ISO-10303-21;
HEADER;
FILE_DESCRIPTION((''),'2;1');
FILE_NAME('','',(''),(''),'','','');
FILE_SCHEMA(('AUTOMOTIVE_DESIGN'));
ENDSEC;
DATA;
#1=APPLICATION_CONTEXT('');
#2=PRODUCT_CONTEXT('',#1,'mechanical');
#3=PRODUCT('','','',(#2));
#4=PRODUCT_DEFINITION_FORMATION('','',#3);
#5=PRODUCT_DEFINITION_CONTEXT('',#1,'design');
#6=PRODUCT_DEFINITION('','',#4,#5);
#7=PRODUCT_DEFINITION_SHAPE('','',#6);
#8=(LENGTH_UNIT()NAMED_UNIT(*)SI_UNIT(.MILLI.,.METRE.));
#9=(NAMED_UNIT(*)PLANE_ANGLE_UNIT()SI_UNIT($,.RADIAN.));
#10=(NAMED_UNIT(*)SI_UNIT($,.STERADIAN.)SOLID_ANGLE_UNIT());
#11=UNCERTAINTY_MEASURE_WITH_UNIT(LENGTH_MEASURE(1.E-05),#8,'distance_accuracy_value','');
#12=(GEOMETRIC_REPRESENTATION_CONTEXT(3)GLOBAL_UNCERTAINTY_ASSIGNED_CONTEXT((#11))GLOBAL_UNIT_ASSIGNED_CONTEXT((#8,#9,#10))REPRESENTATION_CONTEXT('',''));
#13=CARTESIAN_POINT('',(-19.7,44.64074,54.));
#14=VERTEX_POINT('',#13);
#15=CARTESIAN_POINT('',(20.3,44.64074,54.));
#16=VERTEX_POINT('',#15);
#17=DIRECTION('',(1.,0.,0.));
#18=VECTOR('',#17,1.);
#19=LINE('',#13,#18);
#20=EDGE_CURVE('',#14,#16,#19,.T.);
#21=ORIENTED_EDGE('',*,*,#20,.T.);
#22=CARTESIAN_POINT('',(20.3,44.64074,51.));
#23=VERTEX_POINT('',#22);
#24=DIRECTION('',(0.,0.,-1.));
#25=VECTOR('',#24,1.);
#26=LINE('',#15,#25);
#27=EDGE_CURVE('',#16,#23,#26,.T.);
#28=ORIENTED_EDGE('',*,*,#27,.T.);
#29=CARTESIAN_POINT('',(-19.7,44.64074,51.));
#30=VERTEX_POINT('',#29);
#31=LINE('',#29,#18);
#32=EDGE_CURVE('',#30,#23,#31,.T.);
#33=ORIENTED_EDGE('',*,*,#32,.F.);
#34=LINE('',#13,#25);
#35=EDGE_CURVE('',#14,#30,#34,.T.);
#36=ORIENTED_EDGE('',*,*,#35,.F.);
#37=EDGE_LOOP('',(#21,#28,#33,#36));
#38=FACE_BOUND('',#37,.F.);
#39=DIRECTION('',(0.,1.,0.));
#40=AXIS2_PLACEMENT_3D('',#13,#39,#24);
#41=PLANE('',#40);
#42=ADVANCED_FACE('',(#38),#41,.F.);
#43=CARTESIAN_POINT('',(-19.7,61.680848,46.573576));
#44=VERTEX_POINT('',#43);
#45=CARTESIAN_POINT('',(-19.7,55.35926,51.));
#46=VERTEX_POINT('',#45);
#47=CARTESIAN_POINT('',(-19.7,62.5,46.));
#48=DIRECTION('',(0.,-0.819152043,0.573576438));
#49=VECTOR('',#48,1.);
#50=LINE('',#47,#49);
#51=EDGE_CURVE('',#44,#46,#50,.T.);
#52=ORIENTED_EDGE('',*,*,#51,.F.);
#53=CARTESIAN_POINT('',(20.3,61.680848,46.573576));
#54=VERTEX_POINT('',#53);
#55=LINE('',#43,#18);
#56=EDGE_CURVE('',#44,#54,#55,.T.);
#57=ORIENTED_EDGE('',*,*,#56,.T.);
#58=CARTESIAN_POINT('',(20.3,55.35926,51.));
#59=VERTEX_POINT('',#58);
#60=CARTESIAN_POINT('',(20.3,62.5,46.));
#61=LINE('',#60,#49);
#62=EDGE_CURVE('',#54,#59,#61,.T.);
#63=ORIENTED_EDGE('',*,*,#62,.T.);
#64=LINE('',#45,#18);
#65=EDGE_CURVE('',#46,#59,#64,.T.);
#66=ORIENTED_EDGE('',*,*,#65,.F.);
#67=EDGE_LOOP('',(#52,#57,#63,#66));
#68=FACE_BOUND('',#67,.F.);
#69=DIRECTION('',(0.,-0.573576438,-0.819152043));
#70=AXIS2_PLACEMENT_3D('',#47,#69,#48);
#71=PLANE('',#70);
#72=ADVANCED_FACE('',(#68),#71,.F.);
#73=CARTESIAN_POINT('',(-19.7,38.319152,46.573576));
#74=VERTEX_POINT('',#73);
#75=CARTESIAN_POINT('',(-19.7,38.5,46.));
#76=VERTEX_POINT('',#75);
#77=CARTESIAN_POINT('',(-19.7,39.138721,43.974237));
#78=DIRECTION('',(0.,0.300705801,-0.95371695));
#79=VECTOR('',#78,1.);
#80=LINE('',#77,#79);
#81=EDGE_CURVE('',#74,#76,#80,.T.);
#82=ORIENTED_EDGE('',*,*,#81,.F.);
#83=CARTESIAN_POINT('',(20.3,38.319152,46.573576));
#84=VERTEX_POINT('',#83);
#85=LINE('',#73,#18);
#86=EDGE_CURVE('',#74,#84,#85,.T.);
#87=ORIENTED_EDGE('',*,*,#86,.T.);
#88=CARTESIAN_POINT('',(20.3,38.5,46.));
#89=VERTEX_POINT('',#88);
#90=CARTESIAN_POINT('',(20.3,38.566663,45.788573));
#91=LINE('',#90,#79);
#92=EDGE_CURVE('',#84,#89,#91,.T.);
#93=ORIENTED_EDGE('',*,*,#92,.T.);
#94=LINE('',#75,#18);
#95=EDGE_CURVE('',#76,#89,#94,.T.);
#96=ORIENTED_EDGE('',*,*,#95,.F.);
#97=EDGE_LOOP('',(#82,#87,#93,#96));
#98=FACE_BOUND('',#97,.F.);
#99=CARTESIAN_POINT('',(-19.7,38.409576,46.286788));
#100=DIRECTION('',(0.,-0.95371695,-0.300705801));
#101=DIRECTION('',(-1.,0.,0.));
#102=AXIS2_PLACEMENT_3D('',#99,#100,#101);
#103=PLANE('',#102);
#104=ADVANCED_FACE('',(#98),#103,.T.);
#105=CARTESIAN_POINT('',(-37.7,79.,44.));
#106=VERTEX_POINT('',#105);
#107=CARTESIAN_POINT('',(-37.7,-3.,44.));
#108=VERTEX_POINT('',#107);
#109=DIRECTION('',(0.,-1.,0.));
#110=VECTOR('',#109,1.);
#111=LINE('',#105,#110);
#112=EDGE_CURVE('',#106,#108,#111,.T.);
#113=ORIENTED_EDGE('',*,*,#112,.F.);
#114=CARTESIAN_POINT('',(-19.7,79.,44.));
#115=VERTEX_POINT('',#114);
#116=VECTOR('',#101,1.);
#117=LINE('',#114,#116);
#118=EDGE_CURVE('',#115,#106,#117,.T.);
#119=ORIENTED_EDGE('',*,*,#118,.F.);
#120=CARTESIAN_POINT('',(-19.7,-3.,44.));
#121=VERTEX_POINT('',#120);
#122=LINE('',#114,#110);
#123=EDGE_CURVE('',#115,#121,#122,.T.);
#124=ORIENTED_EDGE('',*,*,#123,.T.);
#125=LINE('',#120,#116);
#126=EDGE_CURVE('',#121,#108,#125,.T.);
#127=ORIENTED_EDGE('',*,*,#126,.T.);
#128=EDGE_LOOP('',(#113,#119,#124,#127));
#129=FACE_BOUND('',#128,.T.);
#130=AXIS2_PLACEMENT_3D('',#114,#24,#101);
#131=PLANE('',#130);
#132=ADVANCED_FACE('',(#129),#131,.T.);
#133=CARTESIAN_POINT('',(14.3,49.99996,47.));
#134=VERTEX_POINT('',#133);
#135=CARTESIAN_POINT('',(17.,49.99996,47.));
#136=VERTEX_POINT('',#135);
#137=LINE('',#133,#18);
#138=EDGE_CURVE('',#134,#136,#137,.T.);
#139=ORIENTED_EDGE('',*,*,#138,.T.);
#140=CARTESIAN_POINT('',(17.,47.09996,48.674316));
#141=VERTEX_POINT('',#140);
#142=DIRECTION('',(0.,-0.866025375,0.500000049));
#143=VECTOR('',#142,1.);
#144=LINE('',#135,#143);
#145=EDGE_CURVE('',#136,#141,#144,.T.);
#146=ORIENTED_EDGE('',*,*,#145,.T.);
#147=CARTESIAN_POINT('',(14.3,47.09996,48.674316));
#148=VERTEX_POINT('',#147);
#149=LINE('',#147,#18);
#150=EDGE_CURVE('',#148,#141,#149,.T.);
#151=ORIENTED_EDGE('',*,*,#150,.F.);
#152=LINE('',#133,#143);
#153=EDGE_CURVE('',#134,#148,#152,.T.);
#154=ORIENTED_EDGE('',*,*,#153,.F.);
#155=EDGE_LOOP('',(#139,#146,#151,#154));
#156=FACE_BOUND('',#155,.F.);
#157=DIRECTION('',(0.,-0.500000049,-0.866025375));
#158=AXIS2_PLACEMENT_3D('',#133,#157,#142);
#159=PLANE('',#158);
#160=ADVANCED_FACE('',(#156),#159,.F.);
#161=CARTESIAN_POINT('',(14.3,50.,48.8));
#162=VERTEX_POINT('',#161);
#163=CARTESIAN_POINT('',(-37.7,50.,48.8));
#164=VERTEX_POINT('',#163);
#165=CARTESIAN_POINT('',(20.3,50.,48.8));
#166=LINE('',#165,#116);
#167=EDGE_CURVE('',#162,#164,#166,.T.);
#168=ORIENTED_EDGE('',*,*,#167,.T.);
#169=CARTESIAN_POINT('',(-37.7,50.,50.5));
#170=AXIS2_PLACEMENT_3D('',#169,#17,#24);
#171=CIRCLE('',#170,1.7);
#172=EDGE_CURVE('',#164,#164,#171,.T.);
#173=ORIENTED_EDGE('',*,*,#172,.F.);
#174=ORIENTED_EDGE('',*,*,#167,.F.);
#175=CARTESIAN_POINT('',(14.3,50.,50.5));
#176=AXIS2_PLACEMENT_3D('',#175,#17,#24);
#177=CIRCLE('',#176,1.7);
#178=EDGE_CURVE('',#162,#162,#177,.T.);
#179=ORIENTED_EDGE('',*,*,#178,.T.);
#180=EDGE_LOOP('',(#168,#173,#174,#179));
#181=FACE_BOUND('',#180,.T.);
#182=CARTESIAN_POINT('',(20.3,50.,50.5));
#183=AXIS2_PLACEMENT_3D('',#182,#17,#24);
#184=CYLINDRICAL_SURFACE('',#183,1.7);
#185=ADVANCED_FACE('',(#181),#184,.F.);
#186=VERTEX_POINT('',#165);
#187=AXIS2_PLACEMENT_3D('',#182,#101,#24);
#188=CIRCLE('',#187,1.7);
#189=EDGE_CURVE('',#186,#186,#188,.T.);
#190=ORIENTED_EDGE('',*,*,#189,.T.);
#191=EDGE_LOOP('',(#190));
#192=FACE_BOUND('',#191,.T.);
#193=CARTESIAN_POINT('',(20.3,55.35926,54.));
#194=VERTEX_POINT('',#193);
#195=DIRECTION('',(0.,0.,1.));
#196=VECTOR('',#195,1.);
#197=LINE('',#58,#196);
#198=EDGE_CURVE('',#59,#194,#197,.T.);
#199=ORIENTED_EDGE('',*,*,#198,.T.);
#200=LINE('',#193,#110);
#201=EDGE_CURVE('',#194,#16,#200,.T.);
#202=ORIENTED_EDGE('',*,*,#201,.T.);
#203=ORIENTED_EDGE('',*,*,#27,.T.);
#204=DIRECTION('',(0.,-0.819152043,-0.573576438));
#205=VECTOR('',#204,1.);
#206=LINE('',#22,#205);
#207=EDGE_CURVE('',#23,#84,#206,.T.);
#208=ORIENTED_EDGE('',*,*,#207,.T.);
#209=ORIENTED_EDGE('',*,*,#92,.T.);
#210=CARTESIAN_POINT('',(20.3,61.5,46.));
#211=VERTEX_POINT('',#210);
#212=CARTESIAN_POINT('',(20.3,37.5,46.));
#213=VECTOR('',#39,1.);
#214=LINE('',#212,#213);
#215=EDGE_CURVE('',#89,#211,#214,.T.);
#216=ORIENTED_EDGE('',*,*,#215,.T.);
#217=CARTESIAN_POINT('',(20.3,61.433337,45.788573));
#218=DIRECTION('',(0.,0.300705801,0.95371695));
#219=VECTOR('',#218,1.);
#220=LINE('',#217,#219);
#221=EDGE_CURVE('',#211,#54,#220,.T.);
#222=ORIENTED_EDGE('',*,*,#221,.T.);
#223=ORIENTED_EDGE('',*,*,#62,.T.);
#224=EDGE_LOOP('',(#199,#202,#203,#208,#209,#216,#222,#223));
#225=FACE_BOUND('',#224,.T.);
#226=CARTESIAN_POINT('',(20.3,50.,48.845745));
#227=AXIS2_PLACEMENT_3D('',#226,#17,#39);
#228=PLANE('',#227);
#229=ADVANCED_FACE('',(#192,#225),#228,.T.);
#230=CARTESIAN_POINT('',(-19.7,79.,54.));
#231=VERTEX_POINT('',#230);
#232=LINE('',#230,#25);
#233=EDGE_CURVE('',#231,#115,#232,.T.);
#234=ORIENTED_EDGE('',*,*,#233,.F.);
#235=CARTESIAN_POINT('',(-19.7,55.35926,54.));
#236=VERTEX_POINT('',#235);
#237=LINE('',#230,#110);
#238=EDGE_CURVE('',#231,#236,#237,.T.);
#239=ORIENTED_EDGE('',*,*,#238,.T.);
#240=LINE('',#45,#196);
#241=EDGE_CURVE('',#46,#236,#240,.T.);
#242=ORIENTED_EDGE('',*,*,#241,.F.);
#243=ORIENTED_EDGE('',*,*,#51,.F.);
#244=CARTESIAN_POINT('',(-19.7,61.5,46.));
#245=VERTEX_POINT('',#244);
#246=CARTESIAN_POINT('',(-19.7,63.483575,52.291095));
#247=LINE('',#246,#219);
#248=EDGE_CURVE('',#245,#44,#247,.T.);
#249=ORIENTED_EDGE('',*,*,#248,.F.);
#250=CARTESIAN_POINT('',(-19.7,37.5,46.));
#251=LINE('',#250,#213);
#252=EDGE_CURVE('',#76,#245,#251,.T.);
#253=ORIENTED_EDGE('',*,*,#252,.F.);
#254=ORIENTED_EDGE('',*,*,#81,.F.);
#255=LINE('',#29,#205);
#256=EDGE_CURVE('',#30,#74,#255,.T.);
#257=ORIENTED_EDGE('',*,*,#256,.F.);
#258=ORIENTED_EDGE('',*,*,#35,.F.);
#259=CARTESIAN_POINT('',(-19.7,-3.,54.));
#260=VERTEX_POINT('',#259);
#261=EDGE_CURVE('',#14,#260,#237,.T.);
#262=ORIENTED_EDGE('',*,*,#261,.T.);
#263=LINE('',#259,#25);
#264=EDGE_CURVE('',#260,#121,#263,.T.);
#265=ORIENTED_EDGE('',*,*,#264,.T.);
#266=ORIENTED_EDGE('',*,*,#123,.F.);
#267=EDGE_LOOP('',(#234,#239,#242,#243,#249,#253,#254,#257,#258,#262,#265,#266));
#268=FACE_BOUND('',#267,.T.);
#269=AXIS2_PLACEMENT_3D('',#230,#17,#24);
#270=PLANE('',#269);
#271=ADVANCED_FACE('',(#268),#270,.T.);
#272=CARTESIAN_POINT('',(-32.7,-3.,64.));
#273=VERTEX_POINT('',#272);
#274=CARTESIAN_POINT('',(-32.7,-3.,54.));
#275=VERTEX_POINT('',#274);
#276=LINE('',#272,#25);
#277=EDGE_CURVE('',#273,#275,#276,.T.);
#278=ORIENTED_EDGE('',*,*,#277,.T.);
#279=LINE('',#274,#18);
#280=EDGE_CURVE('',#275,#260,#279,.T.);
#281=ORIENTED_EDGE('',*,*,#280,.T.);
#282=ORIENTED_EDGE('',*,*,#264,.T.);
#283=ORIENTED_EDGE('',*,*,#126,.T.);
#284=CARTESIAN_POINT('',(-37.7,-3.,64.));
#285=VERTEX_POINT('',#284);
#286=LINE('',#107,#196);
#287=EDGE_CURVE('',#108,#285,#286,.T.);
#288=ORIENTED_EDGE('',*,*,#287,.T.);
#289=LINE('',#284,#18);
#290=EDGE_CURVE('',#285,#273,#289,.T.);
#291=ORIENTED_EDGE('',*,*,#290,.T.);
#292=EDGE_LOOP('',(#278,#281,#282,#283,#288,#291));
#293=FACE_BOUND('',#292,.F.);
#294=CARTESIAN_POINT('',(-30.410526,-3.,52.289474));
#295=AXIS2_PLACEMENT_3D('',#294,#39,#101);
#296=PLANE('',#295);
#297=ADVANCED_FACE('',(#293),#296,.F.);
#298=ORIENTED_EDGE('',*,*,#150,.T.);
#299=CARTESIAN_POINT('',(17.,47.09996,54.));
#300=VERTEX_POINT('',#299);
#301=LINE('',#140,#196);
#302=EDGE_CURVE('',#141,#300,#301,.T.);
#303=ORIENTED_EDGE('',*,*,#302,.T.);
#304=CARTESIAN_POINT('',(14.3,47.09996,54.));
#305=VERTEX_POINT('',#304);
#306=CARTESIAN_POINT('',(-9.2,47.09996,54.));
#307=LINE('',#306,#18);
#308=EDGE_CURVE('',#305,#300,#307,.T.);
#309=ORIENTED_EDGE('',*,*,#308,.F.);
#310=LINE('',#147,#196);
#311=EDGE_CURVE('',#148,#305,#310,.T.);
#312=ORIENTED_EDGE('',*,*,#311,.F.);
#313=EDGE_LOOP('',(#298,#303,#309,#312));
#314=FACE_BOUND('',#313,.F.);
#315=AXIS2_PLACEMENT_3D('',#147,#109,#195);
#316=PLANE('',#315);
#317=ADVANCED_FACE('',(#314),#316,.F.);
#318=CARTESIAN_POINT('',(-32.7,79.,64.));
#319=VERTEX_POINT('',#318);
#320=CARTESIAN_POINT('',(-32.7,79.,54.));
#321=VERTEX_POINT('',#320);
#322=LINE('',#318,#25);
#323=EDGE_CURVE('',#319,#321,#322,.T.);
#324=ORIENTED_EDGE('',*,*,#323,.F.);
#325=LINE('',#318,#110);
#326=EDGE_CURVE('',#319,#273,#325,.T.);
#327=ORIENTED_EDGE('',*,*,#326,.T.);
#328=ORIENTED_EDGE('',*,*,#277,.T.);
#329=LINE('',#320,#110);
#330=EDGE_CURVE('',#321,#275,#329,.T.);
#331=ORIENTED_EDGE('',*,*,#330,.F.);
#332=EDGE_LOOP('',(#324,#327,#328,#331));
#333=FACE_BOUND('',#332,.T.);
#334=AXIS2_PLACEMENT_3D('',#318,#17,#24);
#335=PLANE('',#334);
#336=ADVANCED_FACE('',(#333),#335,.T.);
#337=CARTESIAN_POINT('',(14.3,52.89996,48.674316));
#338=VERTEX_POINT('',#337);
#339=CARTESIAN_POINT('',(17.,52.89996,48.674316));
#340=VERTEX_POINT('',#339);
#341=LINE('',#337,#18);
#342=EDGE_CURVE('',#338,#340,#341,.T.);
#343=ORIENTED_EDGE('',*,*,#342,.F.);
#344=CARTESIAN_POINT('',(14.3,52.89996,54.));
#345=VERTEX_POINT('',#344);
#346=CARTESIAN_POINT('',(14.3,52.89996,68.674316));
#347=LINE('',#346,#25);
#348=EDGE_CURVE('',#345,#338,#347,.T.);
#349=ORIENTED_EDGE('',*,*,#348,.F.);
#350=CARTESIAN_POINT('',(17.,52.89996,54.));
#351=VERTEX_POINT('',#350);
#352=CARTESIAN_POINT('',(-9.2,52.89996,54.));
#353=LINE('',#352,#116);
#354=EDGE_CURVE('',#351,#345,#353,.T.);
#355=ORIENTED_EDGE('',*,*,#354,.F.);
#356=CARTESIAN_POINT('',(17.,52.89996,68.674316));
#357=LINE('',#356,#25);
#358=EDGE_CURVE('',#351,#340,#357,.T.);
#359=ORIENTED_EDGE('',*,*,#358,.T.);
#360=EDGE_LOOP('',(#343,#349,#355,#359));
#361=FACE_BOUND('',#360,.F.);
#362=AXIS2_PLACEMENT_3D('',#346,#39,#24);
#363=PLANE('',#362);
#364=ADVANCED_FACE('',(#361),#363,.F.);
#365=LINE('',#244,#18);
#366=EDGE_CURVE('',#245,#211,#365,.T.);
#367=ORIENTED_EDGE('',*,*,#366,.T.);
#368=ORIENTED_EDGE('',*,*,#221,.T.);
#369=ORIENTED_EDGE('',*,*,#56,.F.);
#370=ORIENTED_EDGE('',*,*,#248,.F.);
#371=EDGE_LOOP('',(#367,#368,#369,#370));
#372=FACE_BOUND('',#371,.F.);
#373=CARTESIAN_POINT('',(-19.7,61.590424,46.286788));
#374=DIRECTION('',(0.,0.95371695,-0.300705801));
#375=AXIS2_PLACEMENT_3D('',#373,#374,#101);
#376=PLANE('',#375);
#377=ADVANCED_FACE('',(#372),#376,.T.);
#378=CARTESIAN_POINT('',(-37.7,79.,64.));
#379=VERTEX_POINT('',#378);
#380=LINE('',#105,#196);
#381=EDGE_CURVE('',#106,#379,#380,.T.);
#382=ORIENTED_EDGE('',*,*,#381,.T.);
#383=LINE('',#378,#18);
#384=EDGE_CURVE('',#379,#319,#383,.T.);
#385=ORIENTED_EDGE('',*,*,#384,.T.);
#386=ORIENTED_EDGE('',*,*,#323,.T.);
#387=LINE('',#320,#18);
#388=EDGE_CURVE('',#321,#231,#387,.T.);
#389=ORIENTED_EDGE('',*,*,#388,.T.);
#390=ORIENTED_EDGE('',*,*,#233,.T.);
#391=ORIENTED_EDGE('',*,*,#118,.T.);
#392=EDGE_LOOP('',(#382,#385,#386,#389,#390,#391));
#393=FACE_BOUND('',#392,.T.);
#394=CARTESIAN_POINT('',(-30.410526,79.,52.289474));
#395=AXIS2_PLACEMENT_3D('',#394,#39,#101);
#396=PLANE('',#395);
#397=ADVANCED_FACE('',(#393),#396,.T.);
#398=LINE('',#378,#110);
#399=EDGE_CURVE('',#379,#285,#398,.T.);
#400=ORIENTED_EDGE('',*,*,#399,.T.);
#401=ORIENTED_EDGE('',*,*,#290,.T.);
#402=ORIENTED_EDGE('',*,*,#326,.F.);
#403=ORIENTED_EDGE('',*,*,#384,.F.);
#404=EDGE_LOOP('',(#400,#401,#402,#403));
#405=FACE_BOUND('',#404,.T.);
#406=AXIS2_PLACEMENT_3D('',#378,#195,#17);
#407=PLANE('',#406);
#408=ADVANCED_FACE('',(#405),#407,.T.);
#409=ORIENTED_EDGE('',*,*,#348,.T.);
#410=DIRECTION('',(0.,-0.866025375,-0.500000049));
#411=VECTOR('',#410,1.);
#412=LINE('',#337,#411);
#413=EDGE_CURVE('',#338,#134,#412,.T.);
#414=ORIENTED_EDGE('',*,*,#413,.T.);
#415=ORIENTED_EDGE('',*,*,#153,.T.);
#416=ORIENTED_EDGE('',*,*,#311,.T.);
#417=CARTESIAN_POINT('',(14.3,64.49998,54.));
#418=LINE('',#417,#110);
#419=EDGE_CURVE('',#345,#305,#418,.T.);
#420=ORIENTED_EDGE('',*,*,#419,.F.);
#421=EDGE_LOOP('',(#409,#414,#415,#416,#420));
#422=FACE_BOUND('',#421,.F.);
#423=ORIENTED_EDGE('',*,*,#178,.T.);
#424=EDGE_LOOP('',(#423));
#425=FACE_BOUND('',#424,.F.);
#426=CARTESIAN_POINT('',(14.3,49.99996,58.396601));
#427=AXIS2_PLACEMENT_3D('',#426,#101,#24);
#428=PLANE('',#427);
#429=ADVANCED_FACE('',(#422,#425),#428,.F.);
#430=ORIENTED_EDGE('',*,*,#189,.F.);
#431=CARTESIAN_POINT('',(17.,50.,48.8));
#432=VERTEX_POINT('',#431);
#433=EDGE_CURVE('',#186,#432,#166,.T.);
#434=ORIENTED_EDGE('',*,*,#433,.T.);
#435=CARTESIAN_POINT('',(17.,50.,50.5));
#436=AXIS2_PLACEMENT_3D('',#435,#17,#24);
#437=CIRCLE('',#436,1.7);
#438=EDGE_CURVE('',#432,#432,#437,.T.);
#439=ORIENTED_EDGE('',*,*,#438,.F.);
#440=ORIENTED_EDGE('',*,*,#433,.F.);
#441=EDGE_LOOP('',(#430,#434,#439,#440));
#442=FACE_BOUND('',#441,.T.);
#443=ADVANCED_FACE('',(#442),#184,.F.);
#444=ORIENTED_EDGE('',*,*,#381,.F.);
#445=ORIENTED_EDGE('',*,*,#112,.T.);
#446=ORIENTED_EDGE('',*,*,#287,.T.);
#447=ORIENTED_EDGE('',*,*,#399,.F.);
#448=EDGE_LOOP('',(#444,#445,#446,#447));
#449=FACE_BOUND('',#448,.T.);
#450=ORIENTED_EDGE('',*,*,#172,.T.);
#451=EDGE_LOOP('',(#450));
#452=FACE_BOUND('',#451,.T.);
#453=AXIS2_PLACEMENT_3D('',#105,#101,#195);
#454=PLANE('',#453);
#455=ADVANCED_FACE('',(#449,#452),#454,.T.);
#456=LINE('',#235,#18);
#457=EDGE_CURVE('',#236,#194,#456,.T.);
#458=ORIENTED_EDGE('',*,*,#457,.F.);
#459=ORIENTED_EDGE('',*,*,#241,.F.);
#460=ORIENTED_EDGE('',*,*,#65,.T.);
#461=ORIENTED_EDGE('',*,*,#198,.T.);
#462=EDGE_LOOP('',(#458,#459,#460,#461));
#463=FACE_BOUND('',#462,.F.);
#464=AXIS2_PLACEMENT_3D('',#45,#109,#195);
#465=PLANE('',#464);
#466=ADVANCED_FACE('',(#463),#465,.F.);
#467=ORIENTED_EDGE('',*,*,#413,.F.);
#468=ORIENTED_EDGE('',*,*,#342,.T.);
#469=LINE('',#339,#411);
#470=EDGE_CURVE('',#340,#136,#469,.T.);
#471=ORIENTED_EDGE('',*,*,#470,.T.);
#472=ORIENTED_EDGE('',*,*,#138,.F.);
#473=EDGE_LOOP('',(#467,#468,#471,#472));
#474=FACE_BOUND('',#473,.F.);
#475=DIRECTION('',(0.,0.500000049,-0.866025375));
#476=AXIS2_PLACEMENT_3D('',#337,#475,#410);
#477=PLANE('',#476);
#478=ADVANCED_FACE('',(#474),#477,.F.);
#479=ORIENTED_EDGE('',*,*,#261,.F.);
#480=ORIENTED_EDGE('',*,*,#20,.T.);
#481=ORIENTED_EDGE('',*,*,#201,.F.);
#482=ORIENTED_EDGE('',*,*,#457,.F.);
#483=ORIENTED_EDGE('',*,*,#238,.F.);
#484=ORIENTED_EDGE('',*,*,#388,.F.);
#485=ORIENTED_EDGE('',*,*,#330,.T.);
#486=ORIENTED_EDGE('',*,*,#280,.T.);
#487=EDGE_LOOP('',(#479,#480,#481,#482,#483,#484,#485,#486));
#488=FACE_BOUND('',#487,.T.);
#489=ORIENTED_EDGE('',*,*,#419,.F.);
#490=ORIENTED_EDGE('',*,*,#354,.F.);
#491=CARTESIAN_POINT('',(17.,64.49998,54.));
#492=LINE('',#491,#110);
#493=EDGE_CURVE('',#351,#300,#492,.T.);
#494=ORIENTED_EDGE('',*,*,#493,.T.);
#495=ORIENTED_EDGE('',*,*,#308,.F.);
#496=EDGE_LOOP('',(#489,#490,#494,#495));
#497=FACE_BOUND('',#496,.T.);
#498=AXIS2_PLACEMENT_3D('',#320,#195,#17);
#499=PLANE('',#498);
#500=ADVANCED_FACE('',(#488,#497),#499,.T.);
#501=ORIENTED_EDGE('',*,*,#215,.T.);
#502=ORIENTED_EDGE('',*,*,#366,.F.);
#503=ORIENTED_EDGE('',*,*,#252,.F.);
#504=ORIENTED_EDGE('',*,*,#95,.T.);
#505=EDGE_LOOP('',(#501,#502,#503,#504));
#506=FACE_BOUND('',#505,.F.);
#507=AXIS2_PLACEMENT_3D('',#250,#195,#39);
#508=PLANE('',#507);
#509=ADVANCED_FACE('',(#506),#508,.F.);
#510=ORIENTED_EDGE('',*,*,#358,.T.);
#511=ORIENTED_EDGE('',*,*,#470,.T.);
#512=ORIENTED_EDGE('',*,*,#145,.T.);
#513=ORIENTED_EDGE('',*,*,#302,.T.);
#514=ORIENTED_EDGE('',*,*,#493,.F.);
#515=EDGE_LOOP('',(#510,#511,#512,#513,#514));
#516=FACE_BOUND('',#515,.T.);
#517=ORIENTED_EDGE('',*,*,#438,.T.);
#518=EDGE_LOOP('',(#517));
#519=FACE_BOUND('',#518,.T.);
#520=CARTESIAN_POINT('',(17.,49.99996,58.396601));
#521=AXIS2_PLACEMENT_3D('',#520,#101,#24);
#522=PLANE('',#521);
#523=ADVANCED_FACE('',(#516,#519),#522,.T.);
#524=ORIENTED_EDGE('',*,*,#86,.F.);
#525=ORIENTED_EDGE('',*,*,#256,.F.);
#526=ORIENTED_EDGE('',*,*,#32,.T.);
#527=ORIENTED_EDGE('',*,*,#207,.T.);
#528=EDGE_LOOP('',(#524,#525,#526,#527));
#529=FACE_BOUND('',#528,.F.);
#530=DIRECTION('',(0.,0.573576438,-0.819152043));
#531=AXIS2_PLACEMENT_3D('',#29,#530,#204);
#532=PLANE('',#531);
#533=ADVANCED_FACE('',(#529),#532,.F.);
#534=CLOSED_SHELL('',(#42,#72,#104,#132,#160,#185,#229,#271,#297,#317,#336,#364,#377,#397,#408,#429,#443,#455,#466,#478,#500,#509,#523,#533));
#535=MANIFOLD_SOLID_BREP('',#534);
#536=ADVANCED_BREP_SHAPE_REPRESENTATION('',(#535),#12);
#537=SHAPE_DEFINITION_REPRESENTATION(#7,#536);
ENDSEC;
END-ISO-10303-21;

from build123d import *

# Parameters (mm, degrees)
PAD007_DEPTH               = 2.7
CYLINDER1015_R             = 1.7
CYLINDER1015_DEPTH         = 100
CLONE008_PITCH_ANGLE       = 90
PAD006_DEPTH               = 82
PAD009_DEPTH               = 40
CHAMFER011_SIZE            = 1
CHAMFER011_PLACEMENT_ANGLE = 180


with BuildPart() as clone_of_m3nuthousingmaster:
    # Sketch008 → Pad007 (new body)
    with BuildSketch(Plane(origin=(65, 30, 1.5), x_dir=(0, 0, 1), z_dir=(-1, 0, 0))):
        Polygon((0, 0), (1.674316, 2.9), (21.674316, 2.9), (21.674316, -2.9), (1.674316, -2.9), align=None)
    extrude(amount=PAD007_DEPTH)


with BuildPart() as clone_of_m3nuthousingmaster_1:
    # Clone009 placement: moved
    add(clone_of_m3nuthousingmaster.part.moved(Location((-117, -0.99996, 1.5))))


with BuildPart() as fusion021:
    # Cylinder1015 → Cylinder1015 (new body)
    with BuildSketch(Plane.XY):
        Circle(CYLINDER1015_R)
    extrude(amount=CYLINDER1015_DEPTH)


with BuildPart() as fusion021_1:
    # Clone008 pitch: moved
    add(fusion021.part.rotate(Axis((0, 0, 0), (0, 1, 0)), CLONE008_PITCH_ANGLE))


with BuildPart() as fusion021_2:
    # Clone008 placement: moved
    add(fusion021_1.part.moved(Location((-58, 29, 6.5))))

    # Fusion021: union Clone of M3NutHousingMaster
    add(clone_of_m3nuthousingmaster_1.part)


with BuildPart() as pad006:
    # Sketch007 → Pad006 (new body)
    with BuildSketch(Plane(origin=(0, 0, 0), x_dir=(-1, 0, 0), z_dir=(0, 1, 0))):
        Polygon((0, 0), (0, 20), (5, 20), (5, 10), (18, 10), (18, 0), align=None)
    extrude(amount=PAD006_DEPTH)


with BuildPart() as lateraladjust:
    # Sketch010 → Pad009 (new body)
    with BuildSketch(Plane(origin=(-18, 29, 2), x_dir=(0, 1, 0), z_dir=(1, 0, 0))):
        Polygon((-12.5, 0), (-5.35926, 5), (-5.35926, 8), (5.35926, 8), (5.35926, 5), (12.5, 0), align=None)
    extrude(amount=-PAD009_DEPTH)

    # Fusion034: union Pad006
    add(pad006.part)

    # Cut025: cut Fusion021
    add(fusion021_2.part, mode=Mode.SUBTRACT)

    # Chamfer011
    chamfer011_edges = [lateraladjust.edges().sort_by_distance(p)[0] for p in [
        (-38, 16.5, 2),
        (-38, 41.5, 2),
    ]]
    chamfer(chamfer011_edges, length=CHAMFER011_SIZE)


with BuildPart() as lateraladjust_1:
    # Chamfer011 placement: moved
    add(lateraladjust.part.moved(Location((-37.7, 79, 44))).rotate(Axis((-37.7, 79, 44), (0, 0, 1)), CHAMFER011_PLACEMENT_ANGLE))


solid = lateraladjust_1.part
